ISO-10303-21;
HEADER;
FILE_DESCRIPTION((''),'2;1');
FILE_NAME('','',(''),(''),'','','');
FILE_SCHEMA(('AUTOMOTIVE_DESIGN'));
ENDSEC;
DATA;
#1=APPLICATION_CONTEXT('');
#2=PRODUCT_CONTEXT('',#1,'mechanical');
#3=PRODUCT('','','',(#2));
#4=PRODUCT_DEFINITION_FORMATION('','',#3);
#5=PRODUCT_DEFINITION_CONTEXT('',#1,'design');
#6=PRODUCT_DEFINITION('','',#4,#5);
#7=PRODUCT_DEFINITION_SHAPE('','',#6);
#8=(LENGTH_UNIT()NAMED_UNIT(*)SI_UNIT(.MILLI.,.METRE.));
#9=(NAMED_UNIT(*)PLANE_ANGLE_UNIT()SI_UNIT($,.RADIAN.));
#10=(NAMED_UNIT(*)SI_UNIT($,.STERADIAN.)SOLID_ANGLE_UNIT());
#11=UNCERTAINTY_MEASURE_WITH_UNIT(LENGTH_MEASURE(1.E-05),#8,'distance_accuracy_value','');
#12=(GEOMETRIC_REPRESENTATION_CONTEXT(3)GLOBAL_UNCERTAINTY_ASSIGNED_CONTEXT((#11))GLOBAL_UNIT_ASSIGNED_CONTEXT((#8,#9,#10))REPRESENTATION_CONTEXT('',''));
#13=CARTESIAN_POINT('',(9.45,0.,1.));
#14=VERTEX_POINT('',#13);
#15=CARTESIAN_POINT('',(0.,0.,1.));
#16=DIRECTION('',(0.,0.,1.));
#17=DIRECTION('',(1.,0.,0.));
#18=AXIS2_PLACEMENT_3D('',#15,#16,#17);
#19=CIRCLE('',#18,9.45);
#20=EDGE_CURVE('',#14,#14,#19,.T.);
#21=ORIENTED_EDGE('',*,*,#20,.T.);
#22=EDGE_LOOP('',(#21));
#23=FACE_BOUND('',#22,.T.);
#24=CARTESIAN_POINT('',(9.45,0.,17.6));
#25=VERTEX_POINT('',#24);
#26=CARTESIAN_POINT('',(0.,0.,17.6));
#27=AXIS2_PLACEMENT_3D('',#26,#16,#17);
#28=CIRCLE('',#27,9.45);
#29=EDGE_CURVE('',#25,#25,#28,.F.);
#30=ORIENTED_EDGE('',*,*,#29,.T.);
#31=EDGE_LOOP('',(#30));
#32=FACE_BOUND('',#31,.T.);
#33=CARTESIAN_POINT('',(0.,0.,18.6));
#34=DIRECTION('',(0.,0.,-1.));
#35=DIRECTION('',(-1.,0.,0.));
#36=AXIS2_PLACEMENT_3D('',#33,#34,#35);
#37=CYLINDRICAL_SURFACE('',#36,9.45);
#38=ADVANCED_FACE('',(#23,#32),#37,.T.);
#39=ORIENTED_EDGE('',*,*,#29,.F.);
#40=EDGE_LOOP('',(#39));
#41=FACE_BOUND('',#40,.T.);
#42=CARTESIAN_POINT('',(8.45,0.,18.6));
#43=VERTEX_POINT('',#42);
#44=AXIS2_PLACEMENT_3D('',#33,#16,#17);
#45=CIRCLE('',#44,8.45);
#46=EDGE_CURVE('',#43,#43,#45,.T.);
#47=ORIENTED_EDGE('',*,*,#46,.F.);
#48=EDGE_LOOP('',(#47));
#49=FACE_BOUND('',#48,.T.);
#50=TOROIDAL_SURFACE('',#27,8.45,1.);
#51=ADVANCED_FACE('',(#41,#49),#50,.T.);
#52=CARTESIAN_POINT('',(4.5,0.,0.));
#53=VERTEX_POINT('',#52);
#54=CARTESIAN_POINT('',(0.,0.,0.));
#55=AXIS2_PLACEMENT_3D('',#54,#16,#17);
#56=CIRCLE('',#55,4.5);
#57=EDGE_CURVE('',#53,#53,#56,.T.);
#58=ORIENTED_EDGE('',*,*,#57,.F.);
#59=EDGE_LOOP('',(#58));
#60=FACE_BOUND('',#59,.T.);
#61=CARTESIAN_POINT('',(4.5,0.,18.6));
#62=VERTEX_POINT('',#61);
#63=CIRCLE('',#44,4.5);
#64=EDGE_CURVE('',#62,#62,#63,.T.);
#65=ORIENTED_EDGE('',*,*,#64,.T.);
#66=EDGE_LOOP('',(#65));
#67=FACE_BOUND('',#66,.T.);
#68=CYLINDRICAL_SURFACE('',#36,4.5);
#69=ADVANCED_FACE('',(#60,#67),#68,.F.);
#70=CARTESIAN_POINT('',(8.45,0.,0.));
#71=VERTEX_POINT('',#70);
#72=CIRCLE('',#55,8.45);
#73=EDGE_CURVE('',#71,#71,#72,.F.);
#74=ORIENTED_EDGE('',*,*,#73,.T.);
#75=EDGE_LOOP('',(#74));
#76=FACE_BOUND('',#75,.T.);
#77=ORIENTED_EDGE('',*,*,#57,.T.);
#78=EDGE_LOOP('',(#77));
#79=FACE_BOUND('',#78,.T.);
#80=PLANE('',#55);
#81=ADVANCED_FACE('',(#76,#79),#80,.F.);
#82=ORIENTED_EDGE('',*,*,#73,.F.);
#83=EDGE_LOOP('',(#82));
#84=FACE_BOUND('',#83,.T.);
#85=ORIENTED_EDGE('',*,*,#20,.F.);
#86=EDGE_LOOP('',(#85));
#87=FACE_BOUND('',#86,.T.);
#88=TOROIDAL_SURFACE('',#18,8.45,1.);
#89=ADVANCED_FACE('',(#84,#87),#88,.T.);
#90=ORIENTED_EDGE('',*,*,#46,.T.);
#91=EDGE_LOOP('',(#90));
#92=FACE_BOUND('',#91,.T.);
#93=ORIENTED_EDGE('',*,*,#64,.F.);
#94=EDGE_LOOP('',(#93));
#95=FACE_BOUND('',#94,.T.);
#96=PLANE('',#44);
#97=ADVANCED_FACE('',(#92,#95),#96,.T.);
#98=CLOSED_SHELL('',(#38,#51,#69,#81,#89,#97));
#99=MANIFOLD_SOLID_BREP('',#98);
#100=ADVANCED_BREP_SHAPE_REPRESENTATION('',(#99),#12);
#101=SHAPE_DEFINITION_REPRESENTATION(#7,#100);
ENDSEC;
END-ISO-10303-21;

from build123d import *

# Parameters (mm, degrees)
SKETCH_1_R      = 9.45
SKETCH_1_R_2    = 4.5
EXTRUDE_1_DEPTH = 18.6
FILLET_1_R      = 1


with BuildPart() as part:
    # ｽｹｯﾁ1 → ﾎﾞｽ - 押し出し1 (new body)
    with BuildSketch(Plane.XY):
        Circle(SKETCH_1_R)
        Circle(SKETCH_1_R_2, mode=Mode.SUBTRACT)
    extrude(amount=EXTRUDE_1_DEPTH)

    # ﾌｨﾚｯﾄ1
    fillet_1_edges = [part.edges().sort_by_distance(p)[0] for p in [
        (-9.45, 0, 0),
        (-9.45, 0, 18.6),
    ]]
    fillet(fillet_1_edges, radius=FILLET_1_R)


solid = part.part
